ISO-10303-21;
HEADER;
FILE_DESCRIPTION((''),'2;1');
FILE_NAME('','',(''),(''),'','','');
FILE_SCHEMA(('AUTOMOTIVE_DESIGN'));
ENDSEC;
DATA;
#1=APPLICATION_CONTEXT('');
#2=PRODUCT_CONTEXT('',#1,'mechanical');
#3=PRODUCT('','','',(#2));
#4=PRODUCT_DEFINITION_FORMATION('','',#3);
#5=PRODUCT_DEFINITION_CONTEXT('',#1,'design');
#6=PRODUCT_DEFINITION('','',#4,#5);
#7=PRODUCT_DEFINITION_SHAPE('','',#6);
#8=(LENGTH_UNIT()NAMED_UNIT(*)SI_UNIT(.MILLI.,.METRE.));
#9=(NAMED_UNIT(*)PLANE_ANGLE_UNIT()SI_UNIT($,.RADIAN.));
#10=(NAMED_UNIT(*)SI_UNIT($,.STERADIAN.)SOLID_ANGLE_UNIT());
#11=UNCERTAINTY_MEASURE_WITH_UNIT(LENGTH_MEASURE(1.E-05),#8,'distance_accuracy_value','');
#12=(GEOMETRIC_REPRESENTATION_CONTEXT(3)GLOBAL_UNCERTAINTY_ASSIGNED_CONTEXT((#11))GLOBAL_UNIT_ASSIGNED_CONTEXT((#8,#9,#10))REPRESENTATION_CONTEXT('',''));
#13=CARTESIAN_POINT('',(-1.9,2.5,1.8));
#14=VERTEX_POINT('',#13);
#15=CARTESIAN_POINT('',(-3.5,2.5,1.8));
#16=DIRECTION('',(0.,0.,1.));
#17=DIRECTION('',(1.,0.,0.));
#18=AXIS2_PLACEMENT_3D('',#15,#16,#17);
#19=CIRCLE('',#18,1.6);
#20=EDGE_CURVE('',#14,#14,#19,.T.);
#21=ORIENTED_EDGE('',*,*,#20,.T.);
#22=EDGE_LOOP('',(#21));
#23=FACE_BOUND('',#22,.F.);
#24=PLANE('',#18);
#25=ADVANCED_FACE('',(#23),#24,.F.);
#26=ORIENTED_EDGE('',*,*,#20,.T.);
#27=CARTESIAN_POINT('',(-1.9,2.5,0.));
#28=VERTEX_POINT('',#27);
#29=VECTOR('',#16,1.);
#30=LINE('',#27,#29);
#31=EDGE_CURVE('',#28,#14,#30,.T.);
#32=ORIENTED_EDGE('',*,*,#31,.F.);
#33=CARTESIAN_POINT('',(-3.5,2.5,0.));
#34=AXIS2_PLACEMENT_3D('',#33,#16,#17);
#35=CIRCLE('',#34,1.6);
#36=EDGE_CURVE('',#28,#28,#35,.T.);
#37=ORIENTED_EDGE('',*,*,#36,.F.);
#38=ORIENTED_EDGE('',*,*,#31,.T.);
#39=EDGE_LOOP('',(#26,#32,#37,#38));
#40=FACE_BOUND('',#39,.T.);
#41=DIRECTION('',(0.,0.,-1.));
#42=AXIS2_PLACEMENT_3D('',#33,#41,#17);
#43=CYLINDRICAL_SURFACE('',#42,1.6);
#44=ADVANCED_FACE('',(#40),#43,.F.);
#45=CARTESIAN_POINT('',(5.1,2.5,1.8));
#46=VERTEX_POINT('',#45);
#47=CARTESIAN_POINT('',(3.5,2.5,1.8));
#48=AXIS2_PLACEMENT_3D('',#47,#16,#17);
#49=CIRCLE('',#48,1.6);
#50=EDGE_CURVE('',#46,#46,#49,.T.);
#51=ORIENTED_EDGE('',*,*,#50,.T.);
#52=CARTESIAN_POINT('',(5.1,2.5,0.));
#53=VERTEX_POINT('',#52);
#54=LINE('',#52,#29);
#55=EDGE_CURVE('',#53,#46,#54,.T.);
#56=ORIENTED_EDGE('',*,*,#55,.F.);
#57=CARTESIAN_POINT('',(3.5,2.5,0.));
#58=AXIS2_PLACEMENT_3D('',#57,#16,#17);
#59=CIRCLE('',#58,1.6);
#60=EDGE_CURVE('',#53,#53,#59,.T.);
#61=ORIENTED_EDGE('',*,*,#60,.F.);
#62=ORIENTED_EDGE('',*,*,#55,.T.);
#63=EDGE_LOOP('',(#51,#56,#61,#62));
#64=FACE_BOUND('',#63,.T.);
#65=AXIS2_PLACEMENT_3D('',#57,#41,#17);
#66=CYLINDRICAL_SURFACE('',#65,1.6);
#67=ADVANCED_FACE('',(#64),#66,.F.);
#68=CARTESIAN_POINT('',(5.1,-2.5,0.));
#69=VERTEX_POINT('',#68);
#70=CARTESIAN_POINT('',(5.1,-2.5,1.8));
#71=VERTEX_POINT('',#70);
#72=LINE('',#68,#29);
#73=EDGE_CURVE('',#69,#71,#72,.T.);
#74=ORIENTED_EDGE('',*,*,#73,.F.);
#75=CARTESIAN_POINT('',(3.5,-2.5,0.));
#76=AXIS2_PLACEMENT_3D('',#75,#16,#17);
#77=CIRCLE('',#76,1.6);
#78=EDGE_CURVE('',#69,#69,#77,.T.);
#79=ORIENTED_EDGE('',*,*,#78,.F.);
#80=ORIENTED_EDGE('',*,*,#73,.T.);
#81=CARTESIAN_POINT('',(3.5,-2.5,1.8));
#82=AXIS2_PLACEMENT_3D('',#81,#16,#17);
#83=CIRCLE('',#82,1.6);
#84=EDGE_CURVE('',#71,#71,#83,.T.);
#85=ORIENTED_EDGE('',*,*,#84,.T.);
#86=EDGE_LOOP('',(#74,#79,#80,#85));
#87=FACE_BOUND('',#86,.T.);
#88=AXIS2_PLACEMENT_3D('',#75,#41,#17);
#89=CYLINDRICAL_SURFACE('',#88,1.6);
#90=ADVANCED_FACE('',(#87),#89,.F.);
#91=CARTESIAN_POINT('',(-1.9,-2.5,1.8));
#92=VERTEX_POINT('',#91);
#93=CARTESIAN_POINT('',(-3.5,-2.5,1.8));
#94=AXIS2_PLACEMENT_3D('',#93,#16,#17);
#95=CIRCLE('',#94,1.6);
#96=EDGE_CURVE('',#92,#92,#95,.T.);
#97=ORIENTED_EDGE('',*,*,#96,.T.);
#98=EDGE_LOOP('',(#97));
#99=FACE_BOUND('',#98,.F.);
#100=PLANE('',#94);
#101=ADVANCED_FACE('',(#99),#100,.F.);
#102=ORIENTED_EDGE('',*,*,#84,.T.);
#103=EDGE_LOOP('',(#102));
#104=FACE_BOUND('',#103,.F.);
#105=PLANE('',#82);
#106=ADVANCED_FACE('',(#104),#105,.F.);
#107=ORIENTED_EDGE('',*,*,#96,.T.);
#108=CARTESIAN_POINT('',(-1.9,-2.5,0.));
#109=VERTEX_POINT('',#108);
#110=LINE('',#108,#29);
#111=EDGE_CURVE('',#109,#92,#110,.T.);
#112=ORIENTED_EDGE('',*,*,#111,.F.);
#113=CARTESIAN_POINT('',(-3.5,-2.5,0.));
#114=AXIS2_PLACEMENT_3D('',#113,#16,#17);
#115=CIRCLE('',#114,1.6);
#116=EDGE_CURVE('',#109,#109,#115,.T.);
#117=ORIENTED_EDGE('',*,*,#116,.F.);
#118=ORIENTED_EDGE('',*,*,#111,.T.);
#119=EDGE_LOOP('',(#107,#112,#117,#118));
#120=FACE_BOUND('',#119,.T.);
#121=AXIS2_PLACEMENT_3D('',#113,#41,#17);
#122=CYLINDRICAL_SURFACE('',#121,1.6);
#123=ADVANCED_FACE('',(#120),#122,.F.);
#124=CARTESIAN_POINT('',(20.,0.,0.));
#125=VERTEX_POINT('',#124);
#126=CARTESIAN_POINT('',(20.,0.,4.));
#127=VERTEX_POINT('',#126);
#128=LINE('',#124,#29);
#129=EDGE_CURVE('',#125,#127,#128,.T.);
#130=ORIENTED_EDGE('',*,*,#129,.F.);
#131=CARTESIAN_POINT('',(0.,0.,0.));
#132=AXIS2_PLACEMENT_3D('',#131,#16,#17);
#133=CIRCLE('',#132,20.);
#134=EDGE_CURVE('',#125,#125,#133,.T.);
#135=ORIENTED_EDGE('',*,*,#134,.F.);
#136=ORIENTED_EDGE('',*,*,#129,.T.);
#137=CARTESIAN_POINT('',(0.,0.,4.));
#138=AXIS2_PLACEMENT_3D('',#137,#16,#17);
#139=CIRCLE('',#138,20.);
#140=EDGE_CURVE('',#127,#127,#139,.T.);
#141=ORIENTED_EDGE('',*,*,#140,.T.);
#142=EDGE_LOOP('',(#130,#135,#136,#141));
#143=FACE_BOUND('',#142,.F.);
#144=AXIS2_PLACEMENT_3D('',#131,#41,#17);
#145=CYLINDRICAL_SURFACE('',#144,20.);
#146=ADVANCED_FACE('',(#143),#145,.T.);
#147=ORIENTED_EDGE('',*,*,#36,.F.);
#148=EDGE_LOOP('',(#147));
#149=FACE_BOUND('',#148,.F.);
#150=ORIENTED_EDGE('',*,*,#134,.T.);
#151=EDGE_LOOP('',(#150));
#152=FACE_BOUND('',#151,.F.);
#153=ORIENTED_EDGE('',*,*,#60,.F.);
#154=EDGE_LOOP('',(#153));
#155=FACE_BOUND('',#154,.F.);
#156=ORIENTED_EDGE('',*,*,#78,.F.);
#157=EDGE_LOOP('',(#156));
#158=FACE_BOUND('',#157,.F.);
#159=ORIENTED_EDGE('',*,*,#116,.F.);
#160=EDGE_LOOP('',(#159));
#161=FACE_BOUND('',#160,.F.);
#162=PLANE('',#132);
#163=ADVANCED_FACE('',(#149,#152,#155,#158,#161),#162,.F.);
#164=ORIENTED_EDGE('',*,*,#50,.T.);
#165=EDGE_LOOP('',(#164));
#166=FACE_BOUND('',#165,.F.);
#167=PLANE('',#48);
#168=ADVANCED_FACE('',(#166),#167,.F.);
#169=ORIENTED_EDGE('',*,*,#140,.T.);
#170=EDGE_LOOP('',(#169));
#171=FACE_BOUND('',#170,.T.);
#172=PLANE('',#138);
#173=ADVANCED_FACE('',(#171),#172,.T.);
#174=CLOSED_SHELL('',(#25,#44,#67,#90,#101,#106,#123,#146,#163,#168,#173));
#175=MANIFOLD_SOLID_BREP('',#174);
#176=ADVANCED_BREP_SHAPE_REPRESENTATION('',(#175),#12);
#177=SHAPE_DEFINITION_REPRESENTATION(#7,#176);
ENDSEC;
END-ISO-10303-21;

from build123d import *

# Parameters (mm, degrees)
F0_R     = 20
F0_R_2   = 1.6
F1_DEPTH = 4
F2_DEPTH = 1.8


with BuildPart() as f1:
    # F0 (on Top) → F1 (new body)
    with BuildSketch(Plane.XY):
        Circle(F0_R)
        with Locations((-3.5, -2.5)):
            Circle(F0_R_2, mode=Mode.SUBTRACT)
        with Locations((3.5, -2.5)):
            Circle(F0_R_2, mode=Mode.SUBTRACT)
        with Locations((-3.5, 2.5)):
            Circle(F0_R_2, mode=Mode.SUBTRACT)
        with Locations((3.5, 2.5)):
            Circle(F0_R_2, mode=Mode.SUBTRACT)
        with Locations((3.5, 2.5)):
            Circle(F0_R_2)
        with Locations((-3.5, 2.5)):
            Circle(F0_R_2)
        with Locations((3.5, -2.5)):
            Circle(F0_R_2)
        with Locations((-3.5, -2.5)):
            Circle(F0_R_2)
    extrude(amount=F1_DEPTH)

    # F0 (on Top) → F2 (cut)
    with BuildSketch(Plane.XY):
        with Locations((-3.5, 2.5)):
            Circle(F0_R_2)
        with Locations((-3.5, -2.5)):
            Circle(F0_R_2)
        with Locations((3.5, -2.5)):
            Circle(F0_R_2)
        with Locations((3.5, 2.5)):
            Circle(F0_R_2)
    extrude(amount=F2_DEPTH, mode=Mode.SUBTRACT)


solid = f1.part
